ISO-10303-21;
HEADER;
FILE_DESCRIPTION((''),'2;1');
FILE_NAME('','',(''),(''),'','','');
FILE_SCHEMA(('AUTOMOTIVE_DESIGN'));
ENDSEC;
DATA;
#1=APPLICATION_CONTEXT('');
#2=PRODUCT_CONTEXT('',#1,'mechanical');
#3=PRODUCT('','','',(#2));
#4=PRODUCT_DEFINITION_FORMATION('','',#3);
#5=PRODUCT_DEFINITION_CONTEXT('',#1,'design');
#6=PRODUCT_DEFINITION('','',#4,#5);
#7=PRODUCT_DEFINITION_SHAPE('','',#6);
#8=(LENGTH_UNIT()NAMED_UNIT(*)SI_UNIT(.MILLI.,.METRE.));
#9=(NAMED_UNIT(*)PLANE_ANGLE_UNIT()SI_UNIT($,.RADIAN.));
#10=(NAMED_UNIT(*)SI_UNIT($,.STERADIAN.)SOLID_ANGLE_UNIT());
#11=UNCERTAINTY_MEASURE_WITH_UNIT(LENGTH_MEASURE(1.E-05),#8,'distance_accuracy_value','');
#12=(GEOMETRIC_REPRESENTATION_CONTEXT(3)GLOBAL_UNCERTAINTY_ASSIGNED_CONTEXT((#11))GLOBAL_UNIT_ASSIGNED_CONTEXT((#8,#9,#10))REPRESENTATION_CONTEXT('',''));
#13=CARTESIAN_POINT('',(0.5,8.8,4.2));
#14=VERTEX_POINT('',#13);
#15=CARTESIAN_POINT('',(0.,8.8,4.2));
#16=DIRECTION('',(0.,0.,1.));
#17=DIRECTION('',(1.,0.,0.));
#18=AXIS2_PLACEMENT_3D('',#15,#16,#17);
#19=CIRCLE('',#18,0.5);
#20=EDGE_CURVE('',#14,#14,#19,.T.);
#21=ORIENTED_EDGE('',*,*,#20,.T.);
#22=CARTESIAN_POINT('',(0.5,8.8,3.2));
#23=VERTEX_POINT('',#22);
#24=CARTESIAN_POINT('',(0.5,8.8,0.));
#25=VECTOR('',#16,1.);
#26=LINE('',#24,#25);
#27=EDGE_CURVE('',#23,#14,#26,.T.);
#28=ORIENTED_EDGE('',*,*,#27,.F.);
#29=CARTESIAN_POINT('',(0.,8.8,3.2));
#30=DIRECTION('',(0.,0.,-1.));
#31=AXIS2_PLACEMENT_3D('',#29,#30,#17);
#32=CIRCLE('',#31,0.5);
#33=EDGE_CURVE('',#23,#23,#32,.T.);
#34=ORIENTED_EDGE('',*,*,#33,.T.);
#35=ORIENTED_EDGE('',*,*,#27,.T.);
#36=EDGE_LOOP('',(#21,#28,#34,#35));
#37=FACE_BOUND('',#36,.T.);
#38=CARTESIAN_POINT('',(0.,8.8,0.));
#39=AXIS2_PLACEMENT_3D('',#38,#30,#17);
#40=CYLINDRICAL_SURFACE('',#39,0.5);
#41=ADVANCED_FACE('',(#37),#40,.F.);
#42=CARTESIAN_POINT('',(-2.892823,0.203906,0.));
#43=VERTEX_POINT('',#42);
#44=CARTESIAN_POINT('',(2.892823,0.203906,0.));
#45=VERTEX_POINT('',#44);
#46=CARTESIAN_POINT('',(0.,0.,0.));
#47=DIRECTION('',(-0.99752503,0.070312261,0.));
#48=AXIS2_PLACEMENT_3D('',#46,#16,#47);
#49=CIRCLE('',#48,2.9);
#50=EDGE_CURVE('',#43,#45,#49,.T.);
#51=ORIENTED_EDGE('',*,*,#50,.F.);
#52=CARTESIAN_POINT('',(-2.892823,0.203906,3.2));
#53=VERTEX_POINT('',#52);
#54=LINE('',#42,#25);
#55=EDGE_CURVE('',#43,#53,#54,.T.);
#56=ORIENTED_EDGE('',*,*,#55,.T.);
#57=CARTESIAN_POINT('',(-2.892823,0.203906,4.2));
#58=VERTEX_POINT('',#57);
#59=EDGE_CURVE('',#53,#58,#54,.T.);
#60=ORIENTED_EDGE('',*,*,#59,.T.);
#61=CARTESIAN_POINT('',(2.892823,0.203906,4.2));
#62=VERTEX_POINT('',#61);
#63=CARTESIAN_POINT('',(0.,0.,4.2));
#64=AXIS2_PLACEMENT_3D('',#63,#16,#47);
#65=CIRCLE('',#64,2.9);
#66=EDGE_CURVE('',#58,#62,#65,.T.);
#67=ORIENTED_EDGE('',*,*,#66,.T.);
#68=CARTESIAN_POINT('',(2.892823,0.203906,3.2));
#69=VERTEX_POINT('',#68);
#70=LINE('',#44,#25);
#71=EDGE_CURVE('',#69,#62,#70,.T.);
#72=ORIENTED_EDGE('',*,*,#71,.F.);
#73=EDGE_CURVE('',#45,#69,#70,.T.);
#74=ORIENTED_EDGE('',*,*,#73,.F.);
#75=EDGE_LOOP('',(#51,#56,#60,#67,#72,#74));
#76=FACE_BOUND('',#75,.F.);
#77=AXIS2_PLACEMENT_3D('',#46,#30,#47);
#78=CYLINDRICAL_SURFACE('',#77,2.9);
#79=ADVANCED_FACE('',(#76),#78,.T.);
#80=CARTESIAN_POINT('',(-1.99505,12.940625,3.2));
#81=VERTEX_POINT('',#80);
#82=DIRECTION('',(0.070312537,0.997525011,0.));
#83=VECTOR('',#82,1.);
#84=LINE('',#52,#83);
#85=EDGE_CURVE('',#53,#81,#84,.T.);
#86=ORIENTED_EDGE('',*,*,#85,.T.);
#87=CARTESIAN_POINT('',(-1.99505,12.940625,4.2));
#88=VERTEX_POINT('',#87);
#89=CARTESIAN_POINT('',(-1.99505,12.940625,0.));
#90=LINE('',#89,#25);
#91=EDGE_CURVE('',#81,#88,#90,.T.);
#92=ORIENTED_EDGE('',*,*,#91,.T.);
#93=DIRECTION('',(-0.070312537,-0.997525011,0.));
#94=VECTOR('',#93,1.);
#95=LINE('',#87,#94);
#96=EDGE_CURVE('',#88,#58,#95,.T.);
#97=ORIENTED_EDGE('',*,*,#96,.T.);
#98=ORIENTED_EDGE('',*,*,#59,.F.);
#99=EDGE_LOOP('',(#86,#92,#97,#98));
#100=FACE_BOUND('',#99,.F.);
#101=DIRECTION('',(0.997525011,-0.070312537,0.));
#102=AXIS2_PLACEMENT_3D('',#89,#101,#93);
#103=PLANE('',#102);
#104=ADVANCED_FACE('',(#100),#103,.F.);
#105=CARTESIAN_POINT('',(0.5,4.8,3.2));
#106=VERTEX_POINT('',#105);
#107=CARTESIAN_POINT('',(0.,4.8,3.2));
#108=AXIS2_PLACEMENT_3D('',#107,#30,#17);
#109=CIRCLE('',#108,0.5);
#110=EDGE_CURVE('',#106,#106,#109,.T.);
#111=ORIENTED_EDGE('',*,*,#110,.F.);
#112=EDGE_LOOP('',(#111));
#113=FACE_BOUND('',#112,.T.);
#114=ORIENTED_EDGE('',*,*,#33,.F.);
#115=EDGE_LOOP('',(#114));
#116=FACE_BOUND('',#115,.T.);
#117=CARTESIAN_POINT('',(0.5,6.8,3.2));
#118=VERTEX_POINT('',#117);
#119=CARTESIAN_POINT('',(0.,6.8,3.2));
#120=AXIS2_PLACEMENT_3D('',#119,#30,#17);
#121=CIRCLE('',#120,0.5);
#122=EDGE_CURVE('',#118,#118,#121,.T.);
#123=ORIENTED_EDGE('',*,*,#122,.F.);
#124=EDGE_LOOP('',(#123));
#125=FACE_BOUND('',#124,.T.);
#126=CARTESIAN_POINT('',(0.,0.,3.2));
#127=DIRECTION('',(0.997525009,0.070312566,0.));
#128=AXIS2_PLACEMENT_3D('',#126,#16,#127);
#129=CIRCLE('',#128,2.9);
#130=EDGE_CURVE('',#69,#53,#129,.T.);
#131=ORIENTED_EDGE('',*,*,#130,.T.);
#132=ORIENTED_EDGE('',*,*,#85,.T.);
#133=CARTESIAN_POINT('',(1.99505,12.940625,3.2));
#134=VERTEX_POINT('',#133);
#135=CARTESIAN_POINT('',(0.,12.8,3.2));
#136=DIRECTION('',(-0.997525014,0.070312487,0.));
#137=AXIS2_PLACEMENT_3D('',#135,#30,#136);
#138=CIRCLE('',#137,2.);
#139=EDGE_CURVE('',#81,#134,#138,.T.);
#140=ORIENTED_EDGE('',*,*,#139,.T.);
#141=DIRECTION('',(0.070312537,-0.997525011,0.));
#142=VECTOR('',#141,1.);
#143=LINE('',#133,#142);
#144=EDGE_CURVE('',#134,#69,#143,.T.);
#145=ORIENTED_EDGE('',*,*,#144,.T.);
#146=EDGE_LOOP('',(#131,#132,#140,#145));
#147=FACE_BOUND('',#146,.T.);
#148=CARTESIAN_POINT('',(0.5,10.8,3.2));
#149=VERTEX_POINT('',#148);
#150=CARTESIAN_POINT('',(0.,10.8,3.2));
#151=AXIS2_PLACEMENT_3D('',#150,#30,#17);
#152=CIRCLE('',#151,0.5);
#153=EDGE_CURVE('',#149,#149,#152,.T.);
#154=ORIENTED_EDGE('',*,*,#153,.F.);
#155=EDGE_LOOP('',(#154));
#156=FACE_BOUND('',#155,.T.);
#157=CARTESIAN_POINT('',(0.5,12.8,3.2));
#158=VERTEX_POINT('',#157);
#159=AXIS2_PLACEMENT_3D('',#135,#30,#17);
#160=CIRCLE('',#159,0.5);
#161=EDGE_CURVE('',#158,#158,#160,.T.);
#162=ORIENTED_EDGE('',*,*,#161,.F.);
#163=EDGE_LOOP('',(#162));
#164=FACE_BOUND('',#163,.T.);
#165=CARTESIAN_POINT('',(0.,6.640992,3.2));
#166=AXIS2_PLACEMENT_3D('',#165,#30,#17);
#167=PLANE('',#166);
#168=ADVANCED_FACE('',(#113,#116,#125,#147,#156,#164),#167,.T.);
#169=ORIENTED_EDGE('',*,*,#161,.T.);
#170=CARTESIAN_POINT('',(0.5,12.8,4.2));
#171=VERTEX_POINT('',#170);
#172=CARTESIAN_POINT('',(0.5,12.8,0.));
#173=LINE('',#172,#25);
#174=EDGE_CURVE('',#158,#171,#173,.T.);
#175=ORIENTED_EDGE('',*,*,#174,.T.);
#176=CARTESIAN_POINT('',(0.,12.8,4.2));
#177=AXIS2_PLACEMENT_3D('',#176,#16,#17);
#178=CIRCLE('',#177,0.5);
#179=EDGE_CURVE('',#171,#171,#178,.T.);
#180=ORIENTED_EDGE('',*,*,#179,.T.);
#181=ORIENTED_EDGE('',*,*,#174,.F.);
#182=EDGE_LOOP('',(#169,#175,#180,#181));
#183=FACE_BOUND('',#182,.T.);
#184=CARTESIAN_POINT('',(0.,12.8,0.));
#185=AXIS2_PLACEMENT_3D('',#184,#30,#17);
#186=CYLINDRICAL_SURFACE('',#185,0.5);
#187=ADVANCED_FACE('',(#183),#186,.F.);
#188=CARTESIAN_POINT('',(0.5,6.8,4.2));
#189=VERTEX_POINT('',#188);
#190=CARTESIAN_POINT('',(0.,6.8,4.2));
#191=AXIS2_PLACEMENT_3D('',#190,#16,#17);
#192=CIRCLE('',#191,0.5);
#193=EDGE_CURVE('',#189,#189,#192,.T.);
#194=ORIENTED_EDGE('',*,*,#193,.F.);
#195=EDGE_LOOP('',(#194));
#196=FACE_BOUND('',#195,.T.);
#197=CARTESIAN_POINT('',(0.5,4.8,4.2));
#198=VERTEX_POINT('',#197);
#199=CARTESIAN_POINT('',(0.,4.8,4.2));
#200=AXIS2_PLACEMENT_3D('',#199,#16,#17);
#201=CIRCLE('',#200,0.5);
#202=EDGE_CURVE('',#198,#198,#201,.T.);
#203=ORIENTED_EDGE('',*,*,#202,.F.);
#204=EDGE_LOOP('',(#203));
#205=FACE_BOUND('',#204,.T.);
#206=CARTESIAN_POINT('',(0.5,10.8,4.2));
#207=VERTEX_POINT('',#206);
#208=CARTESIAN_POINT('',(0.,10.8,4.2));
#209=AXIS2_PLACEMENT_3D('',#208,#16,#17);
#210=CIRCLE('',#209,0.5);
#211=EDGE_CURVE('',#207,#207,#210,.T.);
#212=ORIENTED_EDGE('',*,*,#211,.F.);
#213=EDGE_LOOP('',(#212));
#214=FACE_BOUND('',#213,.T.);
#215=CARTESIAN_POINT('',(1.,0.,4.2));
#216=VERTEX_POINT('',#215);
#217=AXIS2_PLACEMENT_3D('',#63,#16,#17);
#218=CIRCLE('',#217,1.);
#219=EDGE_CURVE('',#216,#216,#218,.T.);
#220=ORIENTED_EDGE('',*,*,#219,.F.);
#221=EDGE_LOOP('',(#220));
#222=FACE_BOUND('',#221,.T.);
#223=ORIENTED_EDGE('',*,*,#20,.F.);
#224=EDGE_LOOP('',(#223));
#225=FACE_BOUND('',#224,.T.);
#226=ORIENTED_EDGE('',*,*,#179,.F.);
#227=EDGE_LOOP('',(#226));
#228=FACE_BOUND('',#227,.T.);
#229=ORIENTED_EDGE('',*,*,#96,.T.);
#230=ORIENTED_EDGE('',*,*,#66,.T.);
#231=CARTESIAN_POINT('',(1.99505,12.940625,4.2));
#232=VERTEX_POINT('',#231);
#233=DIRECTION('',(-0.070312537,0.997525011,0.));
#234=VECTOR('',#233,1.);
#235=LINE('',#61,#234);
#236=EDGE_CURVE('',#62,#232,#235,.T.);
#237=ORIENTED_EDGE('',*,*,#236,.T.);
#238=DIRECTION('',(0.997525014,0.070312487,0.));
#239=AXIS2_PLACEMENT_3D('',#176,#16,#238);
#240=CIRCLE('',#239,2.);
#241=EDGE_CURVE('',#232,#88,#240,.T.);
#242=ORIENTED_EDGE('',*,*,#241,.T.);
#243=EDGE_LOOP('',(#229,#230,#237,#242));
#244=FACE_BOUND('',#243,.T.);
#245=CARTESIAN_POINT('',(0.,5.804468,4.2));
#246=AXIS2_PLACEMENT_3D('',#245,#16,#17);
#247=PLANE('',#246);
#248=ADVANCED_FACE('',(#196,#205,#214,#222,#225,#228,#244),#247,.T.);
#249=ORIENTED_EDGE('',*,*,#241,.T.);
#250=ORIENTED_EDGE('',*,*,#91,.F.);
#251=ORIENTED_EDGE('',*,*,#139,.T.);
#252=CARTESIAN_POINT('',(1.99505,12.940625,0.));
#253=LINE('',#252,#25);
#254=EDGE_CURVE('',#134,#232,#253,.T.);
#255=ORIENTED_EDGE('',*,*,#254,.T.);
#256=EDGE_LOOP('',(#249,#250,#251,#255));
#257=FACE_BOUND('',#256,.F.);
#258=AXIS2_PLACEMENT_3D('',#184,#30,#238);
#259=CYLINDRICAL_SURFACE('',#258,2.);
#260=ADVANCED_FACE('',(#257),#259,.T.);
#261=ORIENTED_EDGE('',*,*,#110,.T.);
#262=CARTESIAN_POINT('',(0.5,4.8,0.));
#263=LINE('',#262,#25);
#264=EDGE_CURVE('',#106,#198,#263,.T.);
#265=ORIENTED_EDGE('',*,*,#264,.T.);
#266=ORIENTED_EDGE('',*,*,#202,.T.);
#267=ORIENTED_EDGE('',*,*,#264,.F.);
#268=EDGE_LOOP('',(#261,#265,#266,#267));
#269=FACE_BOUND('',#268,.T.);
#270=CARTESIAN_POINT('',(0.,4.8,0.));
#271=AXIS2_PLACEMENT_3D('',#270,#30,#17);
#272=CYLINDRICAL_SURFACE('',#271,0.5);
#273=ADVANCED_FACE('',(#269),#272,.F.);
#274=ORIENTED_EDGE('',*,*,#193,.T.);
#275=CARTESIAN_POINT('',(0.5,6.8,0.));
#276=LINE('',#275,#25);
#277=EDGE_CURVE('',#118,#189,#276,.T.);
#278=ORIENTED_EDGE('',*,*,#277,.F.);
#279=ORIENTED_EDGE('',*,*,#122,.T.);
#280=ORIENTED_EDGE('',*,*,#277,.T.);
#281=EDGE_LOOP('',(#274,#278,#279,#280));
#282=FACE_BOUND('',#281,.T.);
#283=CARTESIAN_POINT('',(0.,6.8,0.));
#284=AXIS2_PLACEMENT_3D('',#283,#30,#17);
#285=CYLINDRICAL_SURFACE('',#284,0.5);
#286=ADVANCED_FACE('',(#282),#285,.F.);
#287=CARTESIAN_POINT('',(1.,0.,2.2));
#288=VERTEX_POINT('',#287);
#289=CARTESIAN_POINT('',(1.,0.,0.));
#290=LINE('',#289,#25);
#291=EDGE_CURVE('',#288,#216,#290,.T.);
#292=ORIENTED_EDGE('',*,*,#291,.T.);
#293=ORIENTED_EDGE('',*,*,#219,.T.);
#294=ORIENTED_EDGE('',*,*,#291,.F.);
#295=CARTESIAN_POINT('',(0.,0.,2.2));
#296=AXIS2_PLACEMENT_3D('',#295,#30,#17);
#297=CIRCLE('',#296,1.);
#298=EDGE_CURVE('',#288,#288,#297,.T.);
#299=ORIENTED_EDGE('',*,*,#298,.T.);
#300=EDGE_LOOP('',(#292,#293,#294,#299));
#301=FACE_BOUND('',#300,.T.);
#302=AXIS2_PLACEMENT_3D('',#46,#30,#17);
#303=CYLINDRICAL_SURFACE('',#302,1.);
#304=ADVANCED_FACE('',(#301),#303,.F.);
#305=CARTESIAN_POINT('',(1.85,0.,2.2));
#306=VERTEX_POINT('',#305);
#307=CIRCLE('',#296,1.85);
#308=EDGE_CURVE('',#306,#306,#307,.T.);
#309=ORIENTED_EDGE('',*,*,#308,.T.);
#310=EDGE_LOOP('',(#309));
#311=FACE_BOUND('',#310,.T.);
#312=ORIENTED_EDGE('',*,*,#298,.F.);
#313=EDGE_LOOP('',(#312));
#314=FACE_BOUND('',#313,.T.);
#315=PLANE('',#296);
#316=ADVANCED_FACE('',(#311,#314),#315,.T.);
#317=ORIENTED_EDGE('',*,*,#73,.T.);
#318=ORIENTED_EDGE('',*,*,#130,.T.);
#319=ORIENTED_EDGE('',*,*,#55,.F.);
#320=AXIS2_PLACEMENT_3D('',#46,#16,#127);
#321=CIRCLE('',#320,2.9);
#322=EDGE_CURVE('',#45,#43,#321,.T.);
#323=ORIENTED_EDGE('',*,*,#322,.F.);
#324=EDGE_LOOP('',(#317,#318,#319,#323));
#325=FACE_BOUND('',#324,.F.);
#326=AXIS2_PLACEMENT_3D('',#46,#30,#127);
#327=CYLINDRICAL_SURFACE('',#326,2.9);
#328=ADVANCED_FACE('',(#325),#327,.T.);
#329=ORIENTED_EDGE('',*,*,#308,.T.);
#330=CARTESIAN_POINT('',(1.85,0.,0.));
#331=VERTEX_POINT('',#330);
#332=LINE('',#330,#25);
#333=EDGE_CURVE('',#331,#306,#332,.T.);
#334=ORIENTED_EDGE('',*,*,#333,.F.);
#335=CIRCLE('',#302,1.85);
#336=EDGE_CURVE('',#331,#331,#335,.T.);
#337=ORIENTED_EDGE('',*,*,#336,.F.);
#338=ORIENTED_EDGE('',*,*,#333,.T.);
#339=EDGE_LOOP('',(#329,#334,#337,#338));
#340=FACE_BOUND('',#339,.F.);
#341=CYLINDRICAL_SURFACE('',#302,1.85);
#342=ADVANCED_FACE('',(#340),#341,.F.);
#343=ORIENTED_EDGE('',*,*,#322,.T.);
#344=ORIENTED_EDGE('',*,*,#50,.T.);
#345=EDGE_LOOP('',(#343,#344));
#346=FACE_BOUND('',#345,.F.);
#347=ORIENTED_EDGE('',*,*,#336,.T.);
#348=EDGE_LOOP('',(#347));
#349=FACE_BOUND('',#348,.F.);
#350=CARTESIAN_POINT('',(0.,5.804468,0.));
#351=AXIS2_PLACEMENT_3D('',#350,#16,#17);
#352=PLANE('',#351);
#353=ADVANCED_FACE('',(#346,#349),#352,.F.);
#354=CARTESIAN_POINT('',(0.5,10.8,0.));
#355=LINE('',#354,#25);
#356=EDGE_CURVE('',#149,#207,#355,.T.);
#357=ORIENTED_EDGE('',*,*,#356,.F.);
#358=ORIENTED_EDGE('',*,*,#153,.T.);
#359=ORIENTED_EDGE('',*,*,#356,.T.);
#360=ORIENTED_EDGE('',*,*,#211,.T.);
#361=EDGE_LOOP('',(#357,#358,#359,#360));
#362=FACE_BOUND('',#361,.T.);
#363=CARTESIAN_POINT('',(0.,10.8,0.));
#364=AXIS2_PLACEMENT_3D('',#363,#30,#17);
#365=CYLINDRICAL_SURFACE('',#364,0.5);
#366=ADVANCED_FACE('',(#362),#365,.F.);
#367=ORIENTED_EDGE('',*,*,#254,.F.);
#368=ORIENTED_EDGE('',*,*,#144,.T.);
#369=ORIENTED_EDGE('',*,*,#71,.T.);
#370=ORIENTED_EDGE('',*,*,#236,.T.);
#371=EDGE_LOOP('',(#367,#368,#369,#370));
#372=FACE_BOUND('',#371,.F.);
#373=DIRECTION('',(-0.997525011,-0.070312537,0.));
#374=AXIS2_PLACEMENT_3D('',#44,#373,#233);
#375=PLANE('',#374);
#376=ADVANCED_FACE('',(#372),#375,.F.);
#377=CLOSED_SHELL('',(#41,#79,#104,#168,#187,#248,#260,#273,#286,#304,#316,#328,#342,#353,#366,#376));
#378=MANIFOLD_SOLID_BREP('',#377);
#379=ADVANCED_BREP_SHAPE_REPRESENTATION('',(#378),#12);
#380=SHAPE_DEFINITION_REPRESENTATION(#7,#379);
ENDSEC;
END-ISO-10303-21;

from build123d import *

# Parameters (mm, degrees)
F0_R     = 1
F0_R_2   = 0.5
F1_DEPTH = 4.2
F3_DEPTH = 3.2
F4_R     = 1.85
F4_R_2   = 1
F5_DEPTH = 2.2


with BuildPart() as f1:
    # F0 (on Top) → F1 (new body)
    with BuildSketch(Plane.XY):
        with BuildLine():
            Line((-1.99505, 12.940625), (-2.892823, 0.203906))
            ThreePointArc((-2.892823, 0.203906), (0, -2.9), (2.892823, 0.203906))
            Line((2.892823, 0.203906), (1.99505, 12.940625))
            ThreePointArc((1.99505, 12.940625), (0, 14.8), (-1.99505, 12.940625))
        make_face()
        Circle(F0_R, mode=Mode.SUBTRACT)
        with Locations((0, 4.8)):
            Circle(F0_R_2, mode=Mode.SUBTRACT)
        with Locations((0, 6.8)):
            Circle(F0_R_2, mode=Mode.SUBTRACT)
        with Locations((0, 8.8)):
            Circle(F0_R_2, mode=Mode.SUBTRACT)
        with Locations((0, 10.8)):
            Circle(F0_R_2, mode=Mode.SUBTRACT)
        with Locations((0, 12.8)):
            Circle(F0_R_2, mode=Mode.SUBTRACT)
    extrude(amount=F1_DEPTH)

    # F2 (on face) → F3 (cut)
    with BuildSketch(Plane(origin=(0, 0, 0), x_dir=(1, 0, 0), z_dir=(0, 0, -1))):
        with BuildLine():
            ThreePointArc((2.892823, -0.203906), (0, -2.9), (-2.892823, -0.203906))
            Line((-2.892823, -0.203906), (-1.99505, -12.940625))
            ThreePointArc((-1.99505, -12.940625), (0, -14.8), (1.99505, -12.940625))
            Line((1.99505, -12.940625), (2.892823, -0.203906))
        make_face()
    extrude(amount=-F3_DEPTH, mode=Mode.SUBTRACT)

    # F4 (on face) → F5 (cut)
    with BuildSketch(Plane(origin=(0, 0, 0), x_dir=(1, 0, 0), z_dir=(0, 0, -1))):
        Circle(F4_R)
        Circle(F4_R_2, mode=Mode.SUBTRACT)
    extrude(amount=-F5_DEPTH, mode=Mode.SUBTRACT)


solid = f1.part
